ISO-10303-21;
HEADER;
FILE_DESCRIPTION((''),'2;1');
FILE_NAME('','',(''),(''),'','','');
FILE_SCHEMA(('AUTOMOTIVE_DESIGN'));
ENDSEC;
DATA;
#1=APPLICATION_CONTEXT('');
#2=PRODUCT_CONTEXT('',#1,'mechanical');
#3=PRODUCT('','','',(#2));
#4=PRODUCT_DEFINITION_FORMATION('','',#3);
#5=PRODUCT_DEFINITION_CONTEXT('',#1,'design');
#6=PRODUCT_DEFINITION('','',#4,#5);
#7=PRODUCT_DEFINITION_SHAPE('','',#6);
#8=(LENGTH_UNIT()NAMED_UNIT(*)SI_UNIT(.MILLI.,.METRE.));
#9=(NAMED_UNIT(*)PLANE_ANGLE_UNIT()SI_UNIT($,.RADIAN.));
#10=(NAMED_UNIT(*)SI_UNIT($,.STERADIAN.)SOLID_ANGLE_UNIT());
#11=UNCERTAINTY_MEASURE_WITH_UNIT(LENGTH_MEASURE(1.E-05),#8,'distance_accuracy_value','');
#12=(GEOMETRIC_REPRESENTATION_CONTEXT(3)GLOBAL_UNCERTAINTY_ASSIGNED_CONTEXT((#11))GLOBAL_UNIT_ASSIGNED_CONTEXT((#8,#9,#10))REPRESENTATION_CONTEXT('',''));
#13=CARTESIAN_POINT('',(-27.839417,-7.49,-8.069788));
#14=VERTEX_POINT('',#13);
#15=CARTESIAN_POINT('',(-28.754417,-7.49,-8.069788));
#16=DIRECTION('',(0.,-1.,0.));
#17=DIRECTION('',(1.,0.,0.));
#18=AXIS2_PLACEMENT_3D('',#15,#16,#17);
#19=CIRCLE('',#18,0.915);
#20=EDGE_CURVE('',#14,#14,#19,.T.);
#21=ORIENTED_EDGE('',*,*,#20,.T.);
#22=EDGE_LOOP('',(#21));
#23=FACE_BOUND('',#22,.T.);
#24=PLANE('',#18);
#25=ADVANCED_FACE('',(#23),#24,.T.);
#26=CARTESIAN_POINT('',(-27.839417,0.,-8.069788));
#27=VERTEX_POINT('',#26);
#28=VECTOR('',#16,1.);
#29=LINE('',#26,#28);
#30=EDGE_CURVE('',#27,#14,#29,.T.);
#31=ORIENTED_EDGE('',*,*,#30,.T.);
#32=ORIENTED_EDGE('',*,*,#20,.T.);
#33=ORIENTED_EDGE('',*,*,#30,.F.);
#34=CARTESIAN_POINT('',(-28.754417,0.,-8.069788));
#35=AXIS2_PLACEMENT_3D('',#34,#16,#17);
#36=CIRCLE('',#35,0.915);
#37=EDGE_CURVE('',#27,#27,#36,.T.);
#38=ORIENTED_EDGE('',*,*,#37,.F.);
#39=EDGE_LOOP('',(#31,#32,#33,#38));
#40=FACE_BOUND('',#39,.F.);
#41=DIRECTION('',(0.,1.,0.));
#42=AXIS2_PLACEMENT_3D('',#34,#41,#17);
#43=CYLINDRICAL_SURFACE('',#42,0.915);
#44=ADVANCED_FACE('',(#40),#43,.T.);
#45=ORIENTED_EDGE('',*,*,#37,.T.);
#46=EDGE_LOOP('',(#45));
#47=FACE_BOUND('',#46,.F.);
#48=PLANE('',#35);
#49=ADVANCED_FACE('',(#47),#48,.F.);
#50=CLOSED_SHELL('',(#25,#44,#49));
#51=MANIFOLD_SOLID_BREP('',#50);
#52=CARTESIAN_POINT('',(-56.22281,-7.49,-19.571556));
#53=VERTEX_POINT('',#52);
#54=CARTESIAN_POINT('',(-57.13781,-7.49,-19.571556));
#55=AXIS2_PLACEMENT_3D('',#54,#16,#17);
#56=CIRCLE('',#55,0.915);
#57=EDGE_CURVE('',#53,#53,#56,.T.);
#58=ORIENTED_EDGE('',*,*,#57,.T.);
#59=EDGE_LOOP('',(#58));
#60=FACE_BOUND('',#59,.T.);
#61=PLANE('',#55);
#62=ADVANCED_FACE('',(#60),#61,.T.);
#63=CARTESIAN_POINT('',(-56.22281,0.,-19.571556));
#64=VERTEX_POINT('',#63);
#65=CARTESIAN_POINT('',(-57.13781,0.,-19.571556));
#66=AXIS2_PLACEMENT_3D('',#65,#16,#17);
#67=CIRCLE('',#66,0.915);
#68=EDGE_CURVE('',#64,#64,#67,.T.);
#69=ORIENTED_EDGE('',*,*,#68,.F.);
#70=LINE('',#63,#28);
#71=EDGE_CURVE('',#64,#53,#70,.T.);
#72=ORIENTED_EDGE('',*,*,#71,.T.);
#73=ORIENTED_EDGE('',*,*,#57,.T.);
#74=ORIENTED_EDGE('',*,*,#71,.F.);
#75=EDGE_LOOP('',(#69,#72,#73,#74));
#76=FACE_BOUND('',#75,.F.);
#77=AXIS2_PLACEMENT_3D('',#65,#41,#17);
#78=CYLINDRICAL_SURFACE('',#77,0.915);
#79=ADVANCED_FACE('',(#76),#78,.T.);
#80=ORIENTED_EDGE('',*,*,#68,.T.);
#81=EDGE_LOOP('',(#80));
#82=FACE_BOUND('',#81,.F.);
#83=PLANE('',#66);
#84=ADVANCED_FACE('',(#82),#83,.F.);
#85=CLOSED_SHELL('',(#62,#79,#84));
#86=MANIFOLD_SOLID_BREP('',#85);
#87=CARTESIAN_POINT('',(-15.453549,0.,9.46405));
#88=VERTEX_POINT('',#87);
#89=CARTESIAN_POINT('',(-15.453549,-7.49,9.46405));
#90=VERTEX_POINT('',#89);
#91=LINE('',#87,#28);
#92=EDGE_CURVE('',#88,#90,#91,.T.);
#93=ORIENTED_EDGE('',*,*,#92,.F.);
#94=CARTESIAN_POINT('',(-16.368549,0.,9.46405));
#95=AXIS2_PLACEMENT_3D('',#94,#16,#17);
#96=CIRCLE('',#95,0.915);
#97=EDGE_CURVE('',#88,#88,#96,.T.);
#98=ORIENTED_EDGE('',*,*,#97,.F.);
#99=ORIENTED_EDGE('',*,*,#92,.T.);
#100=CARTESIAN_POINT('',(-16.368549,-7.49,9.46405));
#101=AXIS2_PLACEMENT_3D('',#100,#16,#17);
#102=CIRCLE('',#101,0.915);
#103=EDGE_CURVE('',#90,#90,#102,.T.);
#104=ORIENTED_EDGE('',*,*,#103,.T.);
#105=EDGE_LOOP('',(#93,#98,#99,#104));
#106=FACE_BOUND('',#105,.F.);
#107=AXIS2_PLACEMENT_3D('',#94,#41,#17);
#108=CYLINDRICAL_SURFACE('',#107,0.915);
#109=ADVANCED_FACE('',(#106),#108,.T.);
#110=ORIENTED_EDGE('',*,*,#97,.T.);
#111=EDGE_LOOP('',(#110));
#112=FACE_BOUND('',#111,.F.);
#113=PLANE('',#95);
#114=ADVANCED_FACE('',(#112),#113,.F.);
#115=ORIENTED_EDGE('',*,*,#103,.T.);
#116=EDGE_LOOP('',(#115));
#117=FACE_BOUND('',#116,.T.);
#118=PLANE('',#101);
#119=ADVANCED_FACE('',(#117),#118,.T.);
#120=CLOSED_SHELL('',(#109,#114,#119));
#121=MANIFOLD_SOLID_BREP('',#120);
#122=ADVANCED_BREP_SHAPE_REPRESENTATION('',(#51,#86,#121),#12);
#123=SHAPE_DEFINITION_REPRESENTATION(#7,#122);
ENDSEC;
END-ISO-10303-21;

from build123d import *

# Parameters (mm, degrees)
F0_R     = 0.915
F1_DEPTH = 7.49
F2_R     = 0.915
F3_DEPTH = 7.49
F4_DEPTH = 7.49


with BuildPart() as f1:
    # F0 (on Front) → F1 (new body)
    with BuildSketch(Plane.XZ):
        with Locations((-16.368549, 9.46405)):
            Circle(F0_R)
    extrude(amount=F1_DEPTH)


with BuildPart() as f3:
    # F2 (on Front) → F3 (new body)
    with BuildSketch(Plane.XZ):
        with Locations((-28.754417, -8.069788)):
            Circle(F2_R)
    extrude(amount=F3_DEPTH)


with BuildPart() as f4:
    # F0 (on Front) → F4 (new body)
    with BuildSketch(Plane.XZ):
        with Locations((-57.13781, -19.571556)):
            Circle(F0_R)
    extrude(amount=F4_DEPTH)


solid = Compound([f1.part, f3.part, f4.part])
